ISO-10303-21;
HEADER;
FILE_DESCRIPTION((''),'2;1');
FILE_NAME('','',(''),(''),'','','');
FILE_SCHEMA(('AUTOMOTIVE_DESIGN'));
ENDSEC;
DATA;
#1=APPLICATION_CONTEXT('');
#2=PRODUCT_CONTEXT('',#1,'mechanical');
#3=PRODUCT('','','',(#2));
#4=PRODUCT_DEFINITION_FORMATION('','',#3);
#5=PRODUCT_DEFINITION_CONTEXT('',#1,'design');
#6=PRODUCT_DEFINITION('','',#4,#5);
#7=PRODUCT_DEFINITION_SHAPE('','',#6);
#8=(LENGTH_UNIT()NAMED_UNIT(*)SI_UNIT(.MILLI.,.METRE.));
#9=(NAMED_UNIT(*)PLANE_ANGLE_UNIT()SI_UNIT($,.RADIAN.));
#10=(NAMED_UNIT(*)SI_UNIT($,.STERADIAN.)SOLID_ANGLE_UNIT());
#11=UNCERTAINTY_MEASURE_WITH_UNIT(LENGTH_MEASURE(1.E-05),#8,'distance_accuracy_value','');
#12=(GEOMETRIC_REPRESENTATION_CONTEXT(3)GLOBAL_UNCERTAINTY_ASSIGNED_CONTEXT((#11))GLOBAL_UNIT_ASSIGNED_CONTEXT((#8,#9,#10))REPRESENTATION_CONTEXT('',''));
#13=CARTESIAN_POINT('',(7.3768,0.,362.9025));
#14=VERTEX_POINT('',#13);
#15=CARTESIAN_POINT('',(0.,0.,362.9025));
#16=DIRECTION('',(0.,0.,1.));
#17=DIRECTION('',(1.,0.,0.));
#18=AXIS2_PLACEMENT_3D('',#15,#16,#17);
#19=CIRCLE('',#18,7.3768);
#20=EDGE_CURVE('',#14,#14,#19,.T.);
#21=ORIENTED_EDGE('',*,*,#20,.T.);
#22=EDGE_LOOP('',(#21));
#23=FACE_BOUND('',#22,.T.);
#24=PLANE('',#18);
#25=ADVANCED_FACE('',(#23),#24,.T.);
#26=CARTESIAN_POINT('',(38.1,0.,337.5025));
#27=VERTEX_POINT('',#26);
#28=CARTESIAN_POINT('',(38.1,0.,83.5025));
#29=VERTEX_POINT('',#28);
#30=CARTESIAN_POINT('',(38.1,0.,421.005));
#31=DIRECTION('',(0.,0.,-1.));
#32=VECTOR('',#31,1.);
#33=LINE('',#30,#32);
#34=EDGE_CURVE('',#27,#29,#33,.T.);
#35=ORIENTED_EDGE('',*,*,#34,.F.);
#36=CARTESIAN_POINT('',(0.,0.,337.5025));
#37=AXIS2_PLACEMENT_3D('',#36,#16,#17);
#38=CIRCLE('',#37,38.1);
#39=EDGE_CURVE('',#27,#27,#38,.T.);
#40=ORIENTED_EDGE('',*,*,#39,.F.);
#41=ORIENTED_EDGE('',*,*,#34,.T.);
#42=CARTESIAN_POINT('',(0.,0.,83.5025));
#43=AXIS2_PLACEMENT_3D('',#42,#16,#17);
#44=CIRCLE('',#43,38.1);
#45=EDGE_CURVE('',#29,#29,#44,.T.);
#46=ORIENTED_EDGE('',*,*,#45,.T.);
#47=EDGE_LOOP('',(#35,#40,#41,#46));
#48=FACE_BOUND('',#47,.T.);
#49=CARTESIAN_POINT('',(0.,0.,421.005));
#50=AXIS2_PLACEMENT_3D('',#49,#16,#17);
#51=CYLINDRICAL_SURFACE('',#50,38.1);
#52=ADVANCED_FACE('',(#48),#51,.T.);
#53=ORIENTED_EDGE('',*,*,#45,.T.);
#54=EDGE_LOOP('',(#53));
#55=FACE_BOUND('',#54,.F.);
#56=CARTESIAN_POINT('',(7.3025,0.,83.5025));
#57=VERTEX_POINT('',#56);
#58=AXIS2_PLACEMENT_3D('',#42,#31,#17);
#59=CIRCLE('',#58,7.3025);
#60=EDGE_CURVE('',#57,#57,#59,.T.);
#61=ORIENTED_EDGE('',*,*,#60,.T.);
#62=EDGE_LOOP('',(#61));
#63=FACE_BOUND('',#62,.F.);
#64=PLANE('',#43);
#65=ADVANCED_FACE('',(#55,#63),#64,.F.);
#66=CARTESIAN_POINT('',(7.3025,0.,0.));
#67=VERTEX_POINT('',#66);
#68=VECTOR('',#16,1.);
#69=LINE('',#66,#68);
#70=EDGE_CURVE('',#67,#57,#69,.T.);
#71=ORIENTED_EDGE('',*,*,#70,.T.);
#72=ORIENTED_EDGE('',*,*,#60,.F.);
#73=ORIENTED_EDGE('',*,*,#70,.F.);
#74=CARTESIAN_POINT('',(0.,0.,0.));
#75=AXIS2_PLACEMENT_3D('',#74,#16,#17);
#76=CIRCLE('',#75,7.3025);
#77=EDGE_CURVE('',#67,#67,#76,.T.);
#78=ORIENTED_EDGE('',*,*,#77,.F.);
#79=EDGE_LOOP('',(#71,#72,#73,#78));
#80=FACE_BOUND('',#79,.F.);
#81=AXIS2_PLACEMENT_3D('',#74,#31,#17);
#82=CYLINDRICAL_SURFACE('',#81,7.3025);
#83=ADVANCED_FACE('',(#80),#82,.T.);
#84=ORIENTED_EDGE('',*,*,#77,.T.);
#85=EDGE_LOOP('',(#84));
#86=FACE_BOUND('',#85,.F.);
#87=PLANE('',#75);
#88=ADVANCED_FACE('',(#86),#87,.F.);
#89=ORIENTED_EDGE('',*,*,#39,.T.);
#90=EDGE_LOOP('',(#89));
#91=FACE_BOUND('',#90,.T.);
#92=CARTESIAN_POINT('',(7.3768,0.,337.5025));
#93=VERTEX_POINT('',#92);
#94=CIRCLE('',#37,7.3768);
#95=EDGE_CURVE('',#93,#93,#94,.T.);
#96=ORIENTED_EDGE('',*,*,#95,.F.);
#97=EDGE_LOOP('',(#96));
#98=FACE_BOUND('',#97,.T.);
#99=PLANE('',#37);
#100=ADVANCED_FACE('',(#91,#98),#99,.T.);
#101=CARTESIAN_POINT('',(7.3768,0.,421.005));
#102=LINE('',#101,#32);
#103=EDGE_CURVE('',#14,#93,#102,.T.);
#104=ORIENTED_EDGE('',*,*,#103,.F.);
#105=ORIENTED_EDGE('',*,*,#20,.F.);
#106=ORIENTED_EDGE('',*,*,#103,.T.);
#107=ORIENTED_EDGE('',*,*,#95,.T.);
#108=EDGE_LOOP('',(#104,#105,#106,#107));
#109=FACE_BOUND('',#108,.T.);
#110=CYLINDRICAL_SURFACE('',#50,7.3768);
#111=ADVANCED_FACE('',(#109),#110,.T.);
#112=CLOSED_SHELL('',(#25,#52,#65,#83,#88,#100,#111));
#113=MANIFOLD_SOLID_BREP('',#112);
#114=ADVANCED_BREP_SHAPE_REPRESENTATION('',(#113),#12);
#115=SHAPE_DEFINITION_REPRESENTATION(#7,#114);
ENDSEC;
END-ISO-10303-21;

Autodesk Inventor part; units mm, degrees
ref_plane "YZ Plane" through (0, 0, 0) normal (1, 0, 0) x (0, 1, 0)
ref_plane "XZ Plane" through (0, 0, 0) normal (0, 1, 0) x (-1, 0, 0)
ref_plane "XY Plane" through (0, 0, 0) normal (0, 0, 1) x (1, 0, 0)
sketch "Sketch1" plane through (0, 0, 0) normal (0, 0, 1) x (1, 0, 0)
  circle A0 centre (0, 0) radius 7.3025
  dimension "d0" = 14.605
extrude "Extrusion1" add sketch "Sketch1" along normal blind 421.005
sketch "Sketch2" plane through (0, 0, 421.005) normal (0, 0, 1) x (1, 0, 0)
  circle A0 centre (0, 0) radius 9.017
  circle A1 centre (0, 0) radius 12.7
  dimension "d3" = 18.034
  dimension "d4" = 25.4
extrude "Extrusion2" add sketch "Sketch2" against normal blind 457.2
sketch "Sketch3" plane through (0, 0, 421.005) normal (0, 0, 1) x (1, 0, 0)
  circle A0 centre (0, 0) radius 7.3025
  circle A1 centre (0, 0) radius 12.7
  circle A2 centre (0, 0) radius 8.9258
extrude "Extrusion3" cut sketch "Sketch3" against normal blind 508 contours A1
sketch "Sketch5" plane through (0, 0, 421.005) normal (0, 0, 1) x (1, 0, 0)
  circle A0 centre (0, 0) radius 38.1
  dimension "d12" = 76.2
extrude "Extrusion5" add sketch "Sketch5" against normal blind 337.5025
sketch "Sketch7" plane through (0, 0, 421.005) normal (0, 0, 1) x (1, 0, 0)
  circle A0 centre (0, 0) radius 7.3768
  circle A1 centre (0, 0) radius 38.1
extrude "Extrusion6" cut sketch "Sketch7" against normal blind 83.5025
sketch "Sketch9" plane through (0, 0, 421.005) normal (0, 0, 1) x (1, 0, 0)
  circle A0 centre (0, 0) radius 7.3025
  circle A1 centre (0, 0) radius 10.3013
extrude "Extrusion7" cut sketch "Sketch9" against normal blind 58.1025 contours A0 | A1
properties part number "Conveyor Axle"
